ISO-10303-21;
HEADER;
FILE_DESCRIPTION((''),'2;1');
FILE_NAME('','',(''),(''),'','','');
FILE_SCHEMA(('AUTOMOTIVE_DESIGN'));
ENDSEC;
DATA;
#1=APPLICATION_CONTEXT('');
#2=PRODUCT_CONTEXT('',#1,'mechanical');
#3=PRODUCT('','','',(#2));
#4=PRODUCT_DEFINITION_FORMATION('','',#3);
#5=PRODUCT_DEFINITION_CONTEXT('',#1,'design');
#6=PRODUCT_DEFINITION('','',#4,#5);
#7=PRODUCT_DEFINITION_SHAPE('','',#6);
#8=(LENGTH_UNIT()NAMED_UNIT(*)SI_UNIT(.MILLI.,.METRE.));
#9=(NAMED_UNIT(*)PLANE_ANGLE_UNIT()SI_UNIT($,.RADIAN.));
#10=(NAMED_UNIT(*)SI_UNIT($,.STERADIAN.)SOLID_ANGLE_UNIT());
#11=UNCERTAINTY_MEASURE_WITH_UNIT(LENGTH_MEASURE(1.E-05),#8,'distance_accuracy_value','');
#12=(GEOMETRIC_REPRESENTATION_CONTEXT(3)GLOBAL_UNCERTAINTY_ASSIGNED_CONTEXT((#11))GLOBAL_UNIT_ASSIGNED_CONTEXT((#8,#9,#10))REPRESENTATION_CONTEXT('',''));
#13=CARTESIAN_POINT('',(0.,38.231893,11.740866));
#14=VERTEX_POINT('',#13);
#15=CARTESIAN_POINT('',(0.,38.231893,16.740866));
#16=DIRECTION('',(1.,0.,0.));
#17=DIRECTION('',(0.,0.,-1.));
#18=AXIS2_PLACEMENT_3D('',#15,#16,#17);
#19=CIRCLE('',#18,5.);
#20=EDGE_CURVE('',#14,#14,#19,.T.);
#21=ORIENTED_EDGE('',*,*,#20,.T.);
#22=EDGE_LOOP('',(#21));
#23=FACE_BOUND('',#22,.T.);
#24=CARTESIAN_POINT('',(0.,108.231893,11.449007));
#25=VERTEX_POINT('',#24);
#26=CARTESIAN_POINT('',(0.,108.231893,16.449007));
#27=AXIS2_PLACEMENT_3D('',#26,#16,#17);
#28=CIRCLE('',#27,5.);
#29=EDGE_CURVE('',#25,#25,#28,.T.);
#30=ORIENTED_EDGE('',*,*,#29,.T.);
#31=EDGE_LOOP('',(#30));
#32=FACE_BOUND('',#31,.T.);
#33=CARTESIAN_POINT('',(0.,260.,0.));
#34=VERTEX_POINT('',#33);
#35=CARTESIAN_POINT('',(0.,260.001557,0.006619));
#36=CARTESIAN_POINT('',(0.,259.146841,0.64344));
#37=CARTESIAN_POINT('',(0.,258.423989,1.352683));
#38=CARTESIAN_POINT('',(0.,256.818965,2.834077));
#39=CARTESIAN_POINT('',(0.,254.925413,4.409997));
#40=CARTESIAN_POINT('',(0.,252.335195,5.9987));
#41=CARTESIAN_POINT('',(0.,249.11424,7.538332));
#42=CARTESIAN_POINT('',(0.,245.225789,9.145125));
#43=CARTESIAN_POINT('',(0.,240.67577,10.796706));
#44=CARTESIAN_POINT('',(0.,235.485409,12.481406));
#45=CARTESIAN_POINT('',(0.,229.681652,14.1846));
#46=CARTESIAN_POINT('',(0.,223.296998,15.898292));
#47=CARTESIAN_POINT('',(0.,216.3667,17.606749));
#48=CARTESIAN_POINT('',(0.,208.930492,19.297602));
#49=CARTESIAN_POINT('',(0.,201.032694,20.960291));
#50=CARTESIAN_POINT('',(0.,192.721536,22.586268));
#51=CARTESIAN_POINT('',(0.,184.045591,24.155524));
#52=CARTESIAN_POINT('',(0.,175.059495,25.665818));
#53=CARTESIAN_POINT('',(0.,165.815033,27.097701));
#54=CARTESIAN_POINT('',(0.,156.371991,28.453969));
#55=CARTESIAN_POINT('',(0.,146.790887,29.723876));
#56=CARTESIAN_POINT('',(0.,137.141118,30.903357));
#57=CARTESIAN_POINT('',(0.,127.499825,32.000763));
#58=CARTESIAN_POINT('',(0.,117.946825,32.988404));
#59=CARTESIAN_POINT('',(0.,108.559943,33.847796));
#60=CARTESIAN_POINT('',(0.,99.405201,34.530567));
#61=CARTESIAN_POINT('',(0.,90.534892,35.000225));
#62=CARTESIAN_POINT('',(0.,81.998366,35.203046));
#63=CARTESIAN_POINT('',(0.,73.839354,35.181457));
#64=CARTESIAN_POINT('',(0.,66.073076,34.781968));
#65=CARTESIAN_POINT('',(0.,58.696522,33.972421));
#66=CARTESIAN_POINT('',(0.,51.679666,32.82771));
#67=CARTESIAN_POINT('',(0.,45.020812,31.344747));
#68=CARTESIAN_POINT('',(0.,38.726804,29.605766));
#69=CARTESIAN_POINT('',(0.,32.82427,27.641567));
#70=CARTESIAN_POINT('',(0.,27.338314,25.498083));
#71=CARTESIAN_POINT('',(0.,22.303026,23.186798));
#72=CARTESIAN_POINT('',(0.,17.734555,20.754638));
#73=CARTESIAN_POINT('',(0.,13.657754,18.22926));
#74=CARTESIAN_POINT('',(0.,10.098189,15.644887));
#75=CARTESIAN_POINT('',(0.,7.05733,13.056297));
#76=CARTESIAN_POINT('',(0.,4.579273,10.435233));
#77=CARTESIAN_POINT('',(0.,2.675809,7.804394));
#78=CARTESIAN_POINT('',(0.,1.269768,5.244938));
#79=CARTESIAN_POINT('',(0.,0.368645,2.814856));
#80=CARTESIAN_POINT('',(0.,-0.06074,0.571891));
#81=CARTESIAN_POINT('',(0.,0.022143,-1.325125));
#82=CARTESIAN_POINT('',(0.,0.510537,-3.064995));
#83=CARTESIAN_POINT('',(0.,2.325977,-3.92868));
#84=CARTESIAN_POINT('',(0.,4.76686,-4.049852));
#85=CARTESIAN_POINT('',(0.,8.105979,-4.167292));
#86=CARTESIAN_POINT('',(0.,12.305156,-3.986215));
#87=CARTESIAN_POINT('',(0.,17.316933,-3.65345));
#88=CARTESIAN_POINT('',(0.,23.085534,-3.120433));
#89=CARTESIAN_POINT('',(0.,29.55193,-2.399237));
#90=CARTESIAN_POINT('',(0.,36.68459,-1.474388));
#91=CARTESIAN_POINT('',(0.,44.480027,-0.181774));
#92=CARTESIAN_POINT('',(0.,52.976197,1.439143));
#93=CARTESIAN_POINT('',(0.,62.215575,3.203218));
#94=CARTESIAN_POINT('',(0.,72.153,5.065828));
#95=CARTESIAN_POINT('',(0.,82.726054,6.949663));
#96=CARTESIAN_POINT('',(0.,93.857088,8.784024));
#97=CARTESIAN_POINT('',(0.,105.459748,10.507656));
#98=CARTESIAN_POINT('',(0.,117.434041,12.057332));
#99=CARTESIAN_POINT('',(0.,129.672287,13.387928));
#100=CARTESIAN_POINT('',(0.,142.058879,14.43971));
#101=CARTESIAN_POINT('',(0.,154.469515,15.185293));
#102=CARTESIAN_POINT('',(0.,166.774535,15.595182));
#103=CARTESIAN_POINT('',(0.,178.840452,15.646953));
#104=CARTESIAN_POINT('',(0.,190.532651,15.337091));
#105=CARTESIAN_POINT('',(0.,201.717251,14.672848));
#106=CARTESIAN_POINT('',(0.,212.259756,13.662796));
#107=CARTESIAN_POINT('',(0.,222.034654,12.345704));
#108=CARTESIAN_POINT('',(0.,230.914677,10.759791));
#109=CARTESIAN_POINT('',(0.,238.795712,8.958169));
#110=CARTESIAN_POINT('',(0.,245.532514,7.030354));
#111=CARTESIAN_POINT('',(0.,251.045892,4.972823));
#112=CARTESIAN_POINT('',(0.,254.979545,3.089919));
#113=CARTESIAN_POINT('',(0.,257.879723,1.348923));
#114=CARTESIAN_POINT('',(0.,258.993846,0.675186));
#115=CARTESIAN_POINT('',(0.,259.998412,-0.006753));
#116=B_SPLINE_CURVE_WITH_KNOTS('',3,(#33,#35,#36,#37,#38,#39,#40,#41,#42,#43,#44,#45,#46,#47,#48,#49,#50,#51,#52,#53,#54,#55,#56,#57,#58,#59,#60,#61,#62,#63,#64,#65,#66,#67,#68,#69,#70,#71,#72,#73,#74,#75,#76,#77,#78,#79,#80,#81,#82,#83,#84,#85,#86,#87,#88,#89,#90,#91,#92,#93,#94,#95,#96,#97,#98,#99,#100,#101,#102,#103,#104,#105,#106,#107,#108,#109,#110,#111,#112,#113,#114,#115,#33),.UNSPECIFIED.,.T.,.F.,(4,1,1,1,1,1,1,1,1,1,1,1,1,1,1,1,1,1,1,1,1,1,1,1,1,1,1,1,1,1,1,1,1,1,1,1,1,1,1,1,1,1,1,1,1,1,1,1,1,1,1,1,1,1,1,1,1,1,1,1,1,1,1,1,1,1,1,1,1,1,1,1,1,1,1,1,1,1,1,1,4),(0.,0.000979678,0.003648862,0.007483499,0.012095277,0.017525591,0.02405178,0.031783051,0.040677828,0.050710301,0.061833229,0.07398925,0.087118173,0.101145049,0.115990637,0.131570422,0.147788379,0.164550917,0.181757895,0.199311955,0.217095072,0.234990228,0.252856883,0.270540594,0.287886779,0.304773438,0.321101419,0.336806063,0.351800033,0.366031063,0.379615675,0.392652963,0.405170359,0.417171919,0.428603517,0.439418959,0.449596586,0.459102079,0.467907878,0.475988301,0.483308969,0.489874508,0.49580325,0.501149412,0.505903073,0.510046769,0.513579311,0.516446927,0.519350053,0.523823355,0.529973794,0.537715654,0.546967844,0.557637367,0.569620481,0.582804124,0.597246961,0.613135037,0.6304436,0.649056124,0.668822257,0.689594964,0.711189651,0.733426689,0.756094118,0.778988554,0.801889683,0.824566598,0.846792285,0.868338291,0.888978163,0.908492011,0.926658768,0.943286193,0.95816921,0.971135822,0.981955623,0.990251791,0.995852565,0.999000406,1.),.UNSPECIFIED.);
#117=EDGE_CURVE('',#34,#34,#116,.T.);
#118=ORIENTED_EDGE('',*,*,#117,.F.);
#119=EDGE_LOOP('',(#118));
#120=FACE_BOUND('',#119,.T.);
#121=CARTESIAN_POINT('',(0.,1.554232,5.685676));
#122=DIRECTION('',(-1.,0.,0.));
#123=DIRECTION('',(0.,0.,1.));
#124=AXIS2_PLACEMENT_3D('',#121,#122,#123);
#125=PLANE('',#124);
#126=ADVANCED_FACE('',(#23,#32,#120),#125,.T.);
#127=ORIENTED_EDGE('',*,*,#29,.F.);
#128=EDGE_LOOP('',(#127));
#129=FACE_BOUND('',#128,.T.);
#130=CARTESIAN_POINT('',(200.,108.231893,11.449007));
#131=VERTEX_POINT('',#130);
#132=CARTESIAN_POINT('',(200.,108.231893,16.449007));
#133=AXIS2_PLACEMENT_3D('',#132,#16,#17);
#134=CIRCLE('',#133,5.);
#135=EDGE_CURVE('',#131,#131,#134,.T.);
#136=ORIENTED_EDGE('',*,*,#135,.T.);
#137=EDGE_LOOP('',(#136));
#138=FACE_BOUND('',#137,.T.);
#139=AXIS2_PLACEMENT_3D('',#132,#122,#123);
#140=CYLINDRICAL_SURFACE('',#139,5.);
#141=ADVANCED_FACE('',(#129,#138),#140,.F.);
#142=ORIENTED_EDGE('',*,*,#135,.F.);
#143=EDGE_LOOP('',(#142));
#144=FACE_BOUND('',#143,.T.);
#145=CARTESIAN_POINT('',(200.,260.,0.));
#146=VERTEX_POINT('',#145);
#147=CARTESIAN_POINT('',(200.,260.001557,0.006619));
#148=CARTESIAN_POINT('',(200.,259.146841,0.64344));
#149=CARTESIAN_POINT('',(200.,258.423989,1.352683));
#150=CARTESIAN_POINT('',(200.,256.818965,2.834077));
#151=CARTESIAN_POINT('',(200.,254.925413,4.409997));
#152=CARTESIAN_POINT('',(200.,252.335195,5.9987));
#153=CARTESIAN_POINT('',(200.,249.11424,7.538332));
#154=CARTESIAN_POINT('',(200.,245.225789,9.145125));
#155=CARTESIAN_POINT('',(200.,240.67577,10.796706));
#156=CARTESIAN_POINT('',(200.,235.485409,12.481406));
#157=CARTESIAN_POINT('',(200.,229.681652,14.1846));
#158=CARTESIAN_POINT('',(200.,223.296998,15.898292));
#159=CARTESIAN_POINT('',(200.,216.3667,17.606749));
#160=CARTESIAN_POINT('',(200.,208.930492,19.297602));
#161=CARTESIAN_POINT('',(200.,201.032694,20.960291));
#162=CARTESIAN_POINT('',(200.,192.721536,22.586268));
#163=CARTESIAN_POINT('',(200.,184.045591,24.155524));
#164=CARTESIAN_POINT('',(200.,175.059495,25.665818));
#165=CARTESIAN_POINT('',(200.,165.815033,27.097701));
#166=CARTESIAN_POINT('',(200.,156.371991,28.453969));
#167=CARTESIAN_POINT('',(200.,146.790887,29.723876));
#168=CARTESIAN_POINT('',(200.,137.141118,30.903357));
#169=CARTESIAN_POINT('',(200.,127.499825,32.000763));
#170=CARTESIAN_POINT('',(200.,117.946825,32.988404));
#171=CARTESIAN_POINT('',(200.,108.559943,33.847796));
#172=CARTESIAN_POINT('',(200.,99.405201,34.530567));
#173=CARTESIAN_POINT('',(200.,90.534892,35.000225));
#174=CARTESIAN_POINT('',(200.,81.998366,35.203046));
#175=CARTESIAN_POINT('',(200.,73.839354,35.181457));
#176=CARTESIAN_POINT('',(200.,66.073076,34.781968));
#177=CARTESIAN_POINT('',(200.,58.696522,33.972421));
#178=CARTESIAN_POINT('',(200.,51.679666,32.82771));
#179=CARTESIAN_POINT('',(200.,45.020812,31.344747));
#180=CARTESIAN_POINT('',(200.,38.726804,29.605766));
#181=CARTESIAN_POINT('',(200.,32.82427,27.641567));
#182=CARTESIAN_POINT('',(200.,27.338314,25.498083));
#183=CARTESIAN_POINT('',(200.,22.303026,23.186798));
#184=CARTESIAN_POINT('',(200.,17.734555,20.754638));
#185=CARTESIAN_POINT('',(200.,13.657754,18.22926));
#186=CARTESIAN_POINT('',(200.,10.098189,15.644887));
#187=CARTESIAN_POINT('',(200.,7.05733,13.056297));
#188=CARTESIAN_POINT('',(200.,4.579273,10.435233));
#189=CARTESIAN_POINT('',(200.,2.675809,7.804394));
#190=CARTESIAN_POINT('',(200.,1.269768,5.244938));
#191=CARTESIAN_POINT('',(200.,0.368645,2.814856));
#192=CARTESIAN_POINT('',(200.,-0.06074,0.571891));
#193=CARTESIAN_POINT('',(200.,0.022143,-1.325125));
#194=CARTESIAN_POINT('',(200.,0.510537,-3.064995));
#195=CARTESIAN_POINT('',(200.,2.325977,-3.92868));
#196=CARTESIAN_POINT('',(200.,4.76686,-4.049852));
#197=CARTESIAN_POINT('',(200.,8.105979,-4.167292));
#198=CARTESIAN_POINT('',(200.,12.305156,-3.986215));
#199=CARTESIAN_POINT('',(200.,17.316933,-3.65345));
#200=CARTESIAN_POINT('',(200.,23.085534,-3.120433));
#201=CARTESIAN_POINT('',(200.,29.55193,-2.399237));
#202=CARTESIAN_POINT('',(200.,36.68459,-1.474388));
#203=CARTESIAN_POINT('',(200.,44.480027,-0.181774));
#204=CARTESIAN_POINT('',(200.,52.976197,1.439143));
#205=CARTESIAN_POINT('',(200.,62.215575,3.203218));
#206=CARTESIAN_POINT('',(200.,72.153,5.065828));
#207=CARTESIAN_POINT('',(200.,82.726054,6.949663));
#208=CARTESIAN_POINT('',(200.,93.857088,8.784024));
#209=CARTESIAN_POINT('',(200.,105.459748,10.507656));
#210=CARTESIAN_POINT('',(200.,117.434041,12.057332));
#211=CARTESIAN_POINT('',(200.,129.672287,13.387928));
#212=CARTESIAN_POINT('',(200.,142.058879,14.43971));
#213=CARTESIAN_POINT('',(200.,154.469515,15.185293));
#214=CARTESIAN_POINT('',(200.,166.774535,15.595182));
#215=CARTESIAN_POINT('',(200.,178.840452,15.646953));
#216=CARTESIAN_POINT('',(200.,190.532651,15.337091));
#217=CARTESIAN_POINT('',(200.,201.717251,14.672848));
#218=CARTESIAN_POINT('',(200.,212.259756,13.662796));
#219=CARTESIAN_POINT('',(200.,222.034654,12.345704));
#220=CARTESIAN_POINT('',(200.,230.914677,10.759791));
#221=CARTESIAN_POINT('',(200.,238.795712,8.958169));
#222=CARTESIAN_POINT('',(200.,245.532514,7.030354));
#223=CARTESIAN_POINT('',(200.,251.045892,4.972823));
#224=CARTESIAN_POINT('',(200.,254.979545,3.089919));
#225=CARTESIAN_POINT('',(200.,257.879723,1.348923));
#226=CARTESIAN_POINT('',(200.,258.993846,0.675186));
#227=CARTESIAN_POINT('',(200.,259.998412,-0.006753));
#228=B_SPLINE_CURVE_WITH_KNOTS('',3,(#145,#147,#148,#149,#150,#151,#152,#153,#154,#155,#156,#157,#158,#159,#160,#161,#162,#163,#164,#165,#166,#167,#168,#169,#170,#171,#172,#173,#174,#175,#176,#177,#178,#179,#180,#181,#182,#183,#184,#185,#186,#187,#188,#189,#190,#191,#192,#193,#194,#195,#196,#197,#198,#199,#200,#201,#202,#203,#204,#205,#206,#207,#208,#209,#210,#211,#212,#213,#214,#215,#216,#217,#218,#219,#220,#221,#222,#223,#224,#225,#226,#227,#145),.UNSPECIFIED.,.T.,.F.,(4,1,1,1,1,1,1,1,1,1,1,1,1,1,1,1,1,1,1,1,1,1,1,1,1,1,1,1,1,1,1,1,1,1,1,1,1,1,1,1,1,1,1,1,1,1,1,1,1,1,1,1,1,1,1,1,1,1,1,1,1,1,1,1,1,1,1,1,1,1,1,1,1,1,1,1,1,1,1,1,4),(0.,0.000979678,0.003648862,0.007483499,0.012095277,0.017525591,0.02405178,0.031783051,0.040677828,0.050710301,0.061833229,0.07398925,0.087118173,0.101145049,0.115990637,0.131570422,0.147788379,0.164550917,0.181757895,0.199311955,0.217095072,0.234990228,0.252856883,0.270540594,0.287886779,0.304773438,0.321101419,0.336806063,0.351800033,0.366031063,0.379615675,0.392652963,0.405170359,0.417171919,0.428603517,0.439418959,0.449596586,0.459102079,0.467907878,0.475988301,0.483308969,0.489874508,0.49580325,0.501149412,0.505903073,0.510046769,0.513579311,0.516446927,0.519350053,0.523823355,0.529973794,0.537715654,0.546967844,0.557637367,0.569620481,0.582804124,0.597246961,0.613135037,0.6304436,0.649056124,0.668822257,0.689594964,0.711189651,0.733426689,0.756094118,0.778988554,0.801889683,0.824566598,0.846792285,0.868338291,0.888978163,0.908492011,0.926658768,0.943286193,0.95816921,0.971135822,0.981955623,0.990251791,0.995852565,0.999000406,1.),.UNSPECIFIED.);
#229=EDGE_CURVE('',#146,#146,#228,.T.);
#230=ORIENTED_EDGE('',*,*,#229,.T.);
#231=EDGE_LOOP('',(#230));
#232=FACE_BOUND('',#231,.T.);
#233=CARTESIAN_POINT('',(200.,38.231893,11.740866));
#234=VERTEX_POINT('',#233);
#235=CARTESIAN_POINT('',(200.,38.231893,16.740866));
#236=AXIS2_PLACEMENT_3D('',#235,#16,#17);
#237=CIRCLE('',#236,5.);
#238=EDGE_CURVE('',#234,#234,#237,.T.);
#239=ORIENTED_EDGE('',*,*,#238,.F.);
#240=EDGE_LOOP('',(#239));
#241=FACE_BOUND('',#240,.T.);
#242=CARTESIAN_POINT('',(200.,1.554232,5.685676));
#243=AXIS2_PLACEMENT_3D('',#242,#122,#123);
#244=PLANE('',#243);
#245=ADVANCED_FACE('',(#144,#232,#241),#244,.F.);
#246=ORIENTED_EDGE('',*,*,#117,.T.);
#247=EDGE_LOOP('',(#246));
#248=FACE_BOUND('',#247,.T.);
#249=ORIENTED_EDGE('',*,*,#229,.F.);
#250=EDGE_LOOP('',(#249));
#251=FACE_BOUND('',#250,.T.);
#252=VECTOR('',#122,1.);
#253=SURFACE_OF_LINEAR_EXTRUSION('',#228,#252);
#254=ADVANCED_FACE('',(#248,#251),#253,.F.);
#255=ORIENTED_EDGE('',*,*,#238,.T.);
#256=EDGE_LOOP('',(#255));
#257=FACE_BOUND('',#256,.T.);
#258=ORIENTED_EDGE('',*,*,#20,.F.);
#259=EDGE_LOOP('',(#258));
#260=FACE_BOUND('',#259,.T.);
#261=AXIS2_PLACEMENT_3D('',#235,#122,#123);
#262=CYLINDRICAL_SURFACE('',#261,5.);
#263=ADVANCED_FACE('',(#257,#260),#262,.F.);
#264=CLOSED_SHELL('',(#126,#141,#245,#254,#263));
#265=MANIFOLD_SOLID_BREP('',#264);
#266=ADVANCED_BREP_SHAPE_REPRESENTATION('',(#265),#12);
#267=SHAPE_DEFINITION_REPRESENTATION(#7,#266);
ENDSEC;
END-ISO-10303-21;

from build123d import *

# Parameters (mm, degrees)
SKETCH3_R           = 5
BOSS_EXTRUDE2_DEPTH = 200


with BuildPart() as part:
    # Sketch3 → Boss-Extrude2 (new body)
    with BuildSketch(Plane(origin=(0, 0, 0), x_dir=(0, 0, -1), z_dir=(1, 0, 0))):
        with BuildLine():
            add(Edge.make_bspline(
                [(0, 260), (-0.006618871, 260.001556519), (-0.643440163, 259.146840985), (-1.352683305, 258.423988878), (-2.83407728, 256.818965203), (-4.409997202, 254.925412529), (-5.998699826, 252.335195115), (-7.538332271, 249.114240072), (-9.145125215, 245.2257893), (-10.796705552, 240.675769941), (-12.481406093, 235.485409192), (-14.184599624, 229.681652027), (-15.898292171, 223.296997869), (-17.606748763, 216.366700019), (-19.297601966, 208.930491682), (-20.960290721, 201.032694495), (-22.586267538, 192.721536069), (-24.155523812, 184.045591395), (-25.665817526, 175.059494526), (-27.097700743, 165.815033056), (-28.453969497, 156.371991155), (-29.723876035, 146.790887452), (-30.903356723, 137.141117923), (-32.000762927, 127.499825157), (-32.988404252, 117.946824698), (-33.847795868, 108.559943379), (-34.530566521, 99.405200851), (-35.000225101, 90.534892364), (-35.203045559, 81.998366344), (-35.181456646, 73.839354201), (-34.781967556, 66.073075647), (-33.972420911, 58.696522239), (-32.82770995, 51.679665679), (-31.344747006, 45.020812441), (-29.605766091, 38.726803527), (-27.64156722, 32.824269665), (-25.498083254, 27.338313788), (-23.186798193, 22.303026269), (-20.754637774, 17.734555035), (-18.229260357, 13.65775407), (-15.644886998, 10.098189416), (-13.056296617, 7.057329744), (-10.435232805, 4.579272863), (-7.80439403, 2.675809098), (-5.244938266, 1.269768355), (-2.814856282, 0.368645037), (-0.571891344, -0.060740267), (1.32512535, 0.022142717), (3.064995336, 0.510537061), (3.928679543, 2.325977045), (4.049851717, 4.76685994), (4.167292265, 8.105978641), (3.986214917, 12.305156067), (3.653449934, 17.316933219), (3.12043259, 23.085534249), (2.399237205, 29.551930382), (1.474388229, 36.684589771), (0.181774172, 44.480026792), (-1.439142903, 52.976196758), (-3.20321793, 62.2155748), (-5.065828248, 72.152999592), (-6.94966285, 82.726053655), (-8.784023632, 93.857088102), (-10.507656487, 105.459747593), (-12.057332363, 117.434040945), (-13.387928437, 129.67228669), (-14.439709845, 142.058878738), (-15.185293174, 154.469514585), (-15.595181628, 166.774534946), (-15.646953476, 178.840451941), (-15.337091064, 190.532651369), (-14.672848331, 201.717250621), (-13.662795797, 212.259756474), (-12.345704215, 222.034654083), (-10.759790618, 230.914677413), (-8.958169218, 238.79571212), (-7.030354058, 245.532514357), (-4.97282329, 251.045892225), (-3.089919221, 254.979545411), (-1.348922874, 257.879722894), (-0.675186007, 258.993846371), (0.006753432, 259.998411837), (0, 260)],
                knots=[0, 0, 0, 0, 0.000979678, 0.003648862, 0.007483499, 0.012095277, 0.017525591, 0.02405178, 0.031783051, 0.040677828, 0.050710301, 0.061833229, 0.07398925, 0.087118173, 0.101145049, 0.115990637, 0.131570422, 0.147788379, 0.164550917, 0.181757895, 0.199311955, 0.217095072, 0.234990228, 0.252856883, 0.270540594, 0.287886779, 0.304773438, 0.321101419, 0.336806063, 0.351800033, 0.366031063, 0.379615675, 0.392652963, 0.405170359, 0.417171919, 0.428603517, 0.439418959, 0.449596586, 0.459102079, 0.467907878, 0.475988301, 0.483308969, 0.489874508, 0.49580325, 0.501149412, 0.505903073, 0.510046769, 0.513579311, 0.516446927, 0.519350053, 0.523823355, 0.529973794, 0.537715654, 0.546967844, 0.557637367, 0.569620481, 0.582804124, 0.597246961, 0.613135037, 0.6304436, 0.649056124, 0.668822257, 0.689594964, 0.711189651, 0.733426689, 0.756094118, 0.778988554, 0.801889683, 0.824566598, 0.846792285, 0.868338291, 0.888978163, 0.908492011, 0.926658768, 0.943286193, 0.95816921, 0.971135822, 0.981955623, 0.990251791, 0.995852565, 0.999000406, 1, 1, 1, 1], degree=3))
        make_face()
        with Locations((-16.740866277, 38.231892945)):
            Circle(SKETCH3_R, mode=Mode.SUBTRACT)
        with Locations((-16.449006835, 108.231892945)):
            Circle(SKETCH3_R, mode=Mode.SUBTRACT)
    extrude(amount=BOSS_EXTRUDE2_DEPTH)


solid = part.part
